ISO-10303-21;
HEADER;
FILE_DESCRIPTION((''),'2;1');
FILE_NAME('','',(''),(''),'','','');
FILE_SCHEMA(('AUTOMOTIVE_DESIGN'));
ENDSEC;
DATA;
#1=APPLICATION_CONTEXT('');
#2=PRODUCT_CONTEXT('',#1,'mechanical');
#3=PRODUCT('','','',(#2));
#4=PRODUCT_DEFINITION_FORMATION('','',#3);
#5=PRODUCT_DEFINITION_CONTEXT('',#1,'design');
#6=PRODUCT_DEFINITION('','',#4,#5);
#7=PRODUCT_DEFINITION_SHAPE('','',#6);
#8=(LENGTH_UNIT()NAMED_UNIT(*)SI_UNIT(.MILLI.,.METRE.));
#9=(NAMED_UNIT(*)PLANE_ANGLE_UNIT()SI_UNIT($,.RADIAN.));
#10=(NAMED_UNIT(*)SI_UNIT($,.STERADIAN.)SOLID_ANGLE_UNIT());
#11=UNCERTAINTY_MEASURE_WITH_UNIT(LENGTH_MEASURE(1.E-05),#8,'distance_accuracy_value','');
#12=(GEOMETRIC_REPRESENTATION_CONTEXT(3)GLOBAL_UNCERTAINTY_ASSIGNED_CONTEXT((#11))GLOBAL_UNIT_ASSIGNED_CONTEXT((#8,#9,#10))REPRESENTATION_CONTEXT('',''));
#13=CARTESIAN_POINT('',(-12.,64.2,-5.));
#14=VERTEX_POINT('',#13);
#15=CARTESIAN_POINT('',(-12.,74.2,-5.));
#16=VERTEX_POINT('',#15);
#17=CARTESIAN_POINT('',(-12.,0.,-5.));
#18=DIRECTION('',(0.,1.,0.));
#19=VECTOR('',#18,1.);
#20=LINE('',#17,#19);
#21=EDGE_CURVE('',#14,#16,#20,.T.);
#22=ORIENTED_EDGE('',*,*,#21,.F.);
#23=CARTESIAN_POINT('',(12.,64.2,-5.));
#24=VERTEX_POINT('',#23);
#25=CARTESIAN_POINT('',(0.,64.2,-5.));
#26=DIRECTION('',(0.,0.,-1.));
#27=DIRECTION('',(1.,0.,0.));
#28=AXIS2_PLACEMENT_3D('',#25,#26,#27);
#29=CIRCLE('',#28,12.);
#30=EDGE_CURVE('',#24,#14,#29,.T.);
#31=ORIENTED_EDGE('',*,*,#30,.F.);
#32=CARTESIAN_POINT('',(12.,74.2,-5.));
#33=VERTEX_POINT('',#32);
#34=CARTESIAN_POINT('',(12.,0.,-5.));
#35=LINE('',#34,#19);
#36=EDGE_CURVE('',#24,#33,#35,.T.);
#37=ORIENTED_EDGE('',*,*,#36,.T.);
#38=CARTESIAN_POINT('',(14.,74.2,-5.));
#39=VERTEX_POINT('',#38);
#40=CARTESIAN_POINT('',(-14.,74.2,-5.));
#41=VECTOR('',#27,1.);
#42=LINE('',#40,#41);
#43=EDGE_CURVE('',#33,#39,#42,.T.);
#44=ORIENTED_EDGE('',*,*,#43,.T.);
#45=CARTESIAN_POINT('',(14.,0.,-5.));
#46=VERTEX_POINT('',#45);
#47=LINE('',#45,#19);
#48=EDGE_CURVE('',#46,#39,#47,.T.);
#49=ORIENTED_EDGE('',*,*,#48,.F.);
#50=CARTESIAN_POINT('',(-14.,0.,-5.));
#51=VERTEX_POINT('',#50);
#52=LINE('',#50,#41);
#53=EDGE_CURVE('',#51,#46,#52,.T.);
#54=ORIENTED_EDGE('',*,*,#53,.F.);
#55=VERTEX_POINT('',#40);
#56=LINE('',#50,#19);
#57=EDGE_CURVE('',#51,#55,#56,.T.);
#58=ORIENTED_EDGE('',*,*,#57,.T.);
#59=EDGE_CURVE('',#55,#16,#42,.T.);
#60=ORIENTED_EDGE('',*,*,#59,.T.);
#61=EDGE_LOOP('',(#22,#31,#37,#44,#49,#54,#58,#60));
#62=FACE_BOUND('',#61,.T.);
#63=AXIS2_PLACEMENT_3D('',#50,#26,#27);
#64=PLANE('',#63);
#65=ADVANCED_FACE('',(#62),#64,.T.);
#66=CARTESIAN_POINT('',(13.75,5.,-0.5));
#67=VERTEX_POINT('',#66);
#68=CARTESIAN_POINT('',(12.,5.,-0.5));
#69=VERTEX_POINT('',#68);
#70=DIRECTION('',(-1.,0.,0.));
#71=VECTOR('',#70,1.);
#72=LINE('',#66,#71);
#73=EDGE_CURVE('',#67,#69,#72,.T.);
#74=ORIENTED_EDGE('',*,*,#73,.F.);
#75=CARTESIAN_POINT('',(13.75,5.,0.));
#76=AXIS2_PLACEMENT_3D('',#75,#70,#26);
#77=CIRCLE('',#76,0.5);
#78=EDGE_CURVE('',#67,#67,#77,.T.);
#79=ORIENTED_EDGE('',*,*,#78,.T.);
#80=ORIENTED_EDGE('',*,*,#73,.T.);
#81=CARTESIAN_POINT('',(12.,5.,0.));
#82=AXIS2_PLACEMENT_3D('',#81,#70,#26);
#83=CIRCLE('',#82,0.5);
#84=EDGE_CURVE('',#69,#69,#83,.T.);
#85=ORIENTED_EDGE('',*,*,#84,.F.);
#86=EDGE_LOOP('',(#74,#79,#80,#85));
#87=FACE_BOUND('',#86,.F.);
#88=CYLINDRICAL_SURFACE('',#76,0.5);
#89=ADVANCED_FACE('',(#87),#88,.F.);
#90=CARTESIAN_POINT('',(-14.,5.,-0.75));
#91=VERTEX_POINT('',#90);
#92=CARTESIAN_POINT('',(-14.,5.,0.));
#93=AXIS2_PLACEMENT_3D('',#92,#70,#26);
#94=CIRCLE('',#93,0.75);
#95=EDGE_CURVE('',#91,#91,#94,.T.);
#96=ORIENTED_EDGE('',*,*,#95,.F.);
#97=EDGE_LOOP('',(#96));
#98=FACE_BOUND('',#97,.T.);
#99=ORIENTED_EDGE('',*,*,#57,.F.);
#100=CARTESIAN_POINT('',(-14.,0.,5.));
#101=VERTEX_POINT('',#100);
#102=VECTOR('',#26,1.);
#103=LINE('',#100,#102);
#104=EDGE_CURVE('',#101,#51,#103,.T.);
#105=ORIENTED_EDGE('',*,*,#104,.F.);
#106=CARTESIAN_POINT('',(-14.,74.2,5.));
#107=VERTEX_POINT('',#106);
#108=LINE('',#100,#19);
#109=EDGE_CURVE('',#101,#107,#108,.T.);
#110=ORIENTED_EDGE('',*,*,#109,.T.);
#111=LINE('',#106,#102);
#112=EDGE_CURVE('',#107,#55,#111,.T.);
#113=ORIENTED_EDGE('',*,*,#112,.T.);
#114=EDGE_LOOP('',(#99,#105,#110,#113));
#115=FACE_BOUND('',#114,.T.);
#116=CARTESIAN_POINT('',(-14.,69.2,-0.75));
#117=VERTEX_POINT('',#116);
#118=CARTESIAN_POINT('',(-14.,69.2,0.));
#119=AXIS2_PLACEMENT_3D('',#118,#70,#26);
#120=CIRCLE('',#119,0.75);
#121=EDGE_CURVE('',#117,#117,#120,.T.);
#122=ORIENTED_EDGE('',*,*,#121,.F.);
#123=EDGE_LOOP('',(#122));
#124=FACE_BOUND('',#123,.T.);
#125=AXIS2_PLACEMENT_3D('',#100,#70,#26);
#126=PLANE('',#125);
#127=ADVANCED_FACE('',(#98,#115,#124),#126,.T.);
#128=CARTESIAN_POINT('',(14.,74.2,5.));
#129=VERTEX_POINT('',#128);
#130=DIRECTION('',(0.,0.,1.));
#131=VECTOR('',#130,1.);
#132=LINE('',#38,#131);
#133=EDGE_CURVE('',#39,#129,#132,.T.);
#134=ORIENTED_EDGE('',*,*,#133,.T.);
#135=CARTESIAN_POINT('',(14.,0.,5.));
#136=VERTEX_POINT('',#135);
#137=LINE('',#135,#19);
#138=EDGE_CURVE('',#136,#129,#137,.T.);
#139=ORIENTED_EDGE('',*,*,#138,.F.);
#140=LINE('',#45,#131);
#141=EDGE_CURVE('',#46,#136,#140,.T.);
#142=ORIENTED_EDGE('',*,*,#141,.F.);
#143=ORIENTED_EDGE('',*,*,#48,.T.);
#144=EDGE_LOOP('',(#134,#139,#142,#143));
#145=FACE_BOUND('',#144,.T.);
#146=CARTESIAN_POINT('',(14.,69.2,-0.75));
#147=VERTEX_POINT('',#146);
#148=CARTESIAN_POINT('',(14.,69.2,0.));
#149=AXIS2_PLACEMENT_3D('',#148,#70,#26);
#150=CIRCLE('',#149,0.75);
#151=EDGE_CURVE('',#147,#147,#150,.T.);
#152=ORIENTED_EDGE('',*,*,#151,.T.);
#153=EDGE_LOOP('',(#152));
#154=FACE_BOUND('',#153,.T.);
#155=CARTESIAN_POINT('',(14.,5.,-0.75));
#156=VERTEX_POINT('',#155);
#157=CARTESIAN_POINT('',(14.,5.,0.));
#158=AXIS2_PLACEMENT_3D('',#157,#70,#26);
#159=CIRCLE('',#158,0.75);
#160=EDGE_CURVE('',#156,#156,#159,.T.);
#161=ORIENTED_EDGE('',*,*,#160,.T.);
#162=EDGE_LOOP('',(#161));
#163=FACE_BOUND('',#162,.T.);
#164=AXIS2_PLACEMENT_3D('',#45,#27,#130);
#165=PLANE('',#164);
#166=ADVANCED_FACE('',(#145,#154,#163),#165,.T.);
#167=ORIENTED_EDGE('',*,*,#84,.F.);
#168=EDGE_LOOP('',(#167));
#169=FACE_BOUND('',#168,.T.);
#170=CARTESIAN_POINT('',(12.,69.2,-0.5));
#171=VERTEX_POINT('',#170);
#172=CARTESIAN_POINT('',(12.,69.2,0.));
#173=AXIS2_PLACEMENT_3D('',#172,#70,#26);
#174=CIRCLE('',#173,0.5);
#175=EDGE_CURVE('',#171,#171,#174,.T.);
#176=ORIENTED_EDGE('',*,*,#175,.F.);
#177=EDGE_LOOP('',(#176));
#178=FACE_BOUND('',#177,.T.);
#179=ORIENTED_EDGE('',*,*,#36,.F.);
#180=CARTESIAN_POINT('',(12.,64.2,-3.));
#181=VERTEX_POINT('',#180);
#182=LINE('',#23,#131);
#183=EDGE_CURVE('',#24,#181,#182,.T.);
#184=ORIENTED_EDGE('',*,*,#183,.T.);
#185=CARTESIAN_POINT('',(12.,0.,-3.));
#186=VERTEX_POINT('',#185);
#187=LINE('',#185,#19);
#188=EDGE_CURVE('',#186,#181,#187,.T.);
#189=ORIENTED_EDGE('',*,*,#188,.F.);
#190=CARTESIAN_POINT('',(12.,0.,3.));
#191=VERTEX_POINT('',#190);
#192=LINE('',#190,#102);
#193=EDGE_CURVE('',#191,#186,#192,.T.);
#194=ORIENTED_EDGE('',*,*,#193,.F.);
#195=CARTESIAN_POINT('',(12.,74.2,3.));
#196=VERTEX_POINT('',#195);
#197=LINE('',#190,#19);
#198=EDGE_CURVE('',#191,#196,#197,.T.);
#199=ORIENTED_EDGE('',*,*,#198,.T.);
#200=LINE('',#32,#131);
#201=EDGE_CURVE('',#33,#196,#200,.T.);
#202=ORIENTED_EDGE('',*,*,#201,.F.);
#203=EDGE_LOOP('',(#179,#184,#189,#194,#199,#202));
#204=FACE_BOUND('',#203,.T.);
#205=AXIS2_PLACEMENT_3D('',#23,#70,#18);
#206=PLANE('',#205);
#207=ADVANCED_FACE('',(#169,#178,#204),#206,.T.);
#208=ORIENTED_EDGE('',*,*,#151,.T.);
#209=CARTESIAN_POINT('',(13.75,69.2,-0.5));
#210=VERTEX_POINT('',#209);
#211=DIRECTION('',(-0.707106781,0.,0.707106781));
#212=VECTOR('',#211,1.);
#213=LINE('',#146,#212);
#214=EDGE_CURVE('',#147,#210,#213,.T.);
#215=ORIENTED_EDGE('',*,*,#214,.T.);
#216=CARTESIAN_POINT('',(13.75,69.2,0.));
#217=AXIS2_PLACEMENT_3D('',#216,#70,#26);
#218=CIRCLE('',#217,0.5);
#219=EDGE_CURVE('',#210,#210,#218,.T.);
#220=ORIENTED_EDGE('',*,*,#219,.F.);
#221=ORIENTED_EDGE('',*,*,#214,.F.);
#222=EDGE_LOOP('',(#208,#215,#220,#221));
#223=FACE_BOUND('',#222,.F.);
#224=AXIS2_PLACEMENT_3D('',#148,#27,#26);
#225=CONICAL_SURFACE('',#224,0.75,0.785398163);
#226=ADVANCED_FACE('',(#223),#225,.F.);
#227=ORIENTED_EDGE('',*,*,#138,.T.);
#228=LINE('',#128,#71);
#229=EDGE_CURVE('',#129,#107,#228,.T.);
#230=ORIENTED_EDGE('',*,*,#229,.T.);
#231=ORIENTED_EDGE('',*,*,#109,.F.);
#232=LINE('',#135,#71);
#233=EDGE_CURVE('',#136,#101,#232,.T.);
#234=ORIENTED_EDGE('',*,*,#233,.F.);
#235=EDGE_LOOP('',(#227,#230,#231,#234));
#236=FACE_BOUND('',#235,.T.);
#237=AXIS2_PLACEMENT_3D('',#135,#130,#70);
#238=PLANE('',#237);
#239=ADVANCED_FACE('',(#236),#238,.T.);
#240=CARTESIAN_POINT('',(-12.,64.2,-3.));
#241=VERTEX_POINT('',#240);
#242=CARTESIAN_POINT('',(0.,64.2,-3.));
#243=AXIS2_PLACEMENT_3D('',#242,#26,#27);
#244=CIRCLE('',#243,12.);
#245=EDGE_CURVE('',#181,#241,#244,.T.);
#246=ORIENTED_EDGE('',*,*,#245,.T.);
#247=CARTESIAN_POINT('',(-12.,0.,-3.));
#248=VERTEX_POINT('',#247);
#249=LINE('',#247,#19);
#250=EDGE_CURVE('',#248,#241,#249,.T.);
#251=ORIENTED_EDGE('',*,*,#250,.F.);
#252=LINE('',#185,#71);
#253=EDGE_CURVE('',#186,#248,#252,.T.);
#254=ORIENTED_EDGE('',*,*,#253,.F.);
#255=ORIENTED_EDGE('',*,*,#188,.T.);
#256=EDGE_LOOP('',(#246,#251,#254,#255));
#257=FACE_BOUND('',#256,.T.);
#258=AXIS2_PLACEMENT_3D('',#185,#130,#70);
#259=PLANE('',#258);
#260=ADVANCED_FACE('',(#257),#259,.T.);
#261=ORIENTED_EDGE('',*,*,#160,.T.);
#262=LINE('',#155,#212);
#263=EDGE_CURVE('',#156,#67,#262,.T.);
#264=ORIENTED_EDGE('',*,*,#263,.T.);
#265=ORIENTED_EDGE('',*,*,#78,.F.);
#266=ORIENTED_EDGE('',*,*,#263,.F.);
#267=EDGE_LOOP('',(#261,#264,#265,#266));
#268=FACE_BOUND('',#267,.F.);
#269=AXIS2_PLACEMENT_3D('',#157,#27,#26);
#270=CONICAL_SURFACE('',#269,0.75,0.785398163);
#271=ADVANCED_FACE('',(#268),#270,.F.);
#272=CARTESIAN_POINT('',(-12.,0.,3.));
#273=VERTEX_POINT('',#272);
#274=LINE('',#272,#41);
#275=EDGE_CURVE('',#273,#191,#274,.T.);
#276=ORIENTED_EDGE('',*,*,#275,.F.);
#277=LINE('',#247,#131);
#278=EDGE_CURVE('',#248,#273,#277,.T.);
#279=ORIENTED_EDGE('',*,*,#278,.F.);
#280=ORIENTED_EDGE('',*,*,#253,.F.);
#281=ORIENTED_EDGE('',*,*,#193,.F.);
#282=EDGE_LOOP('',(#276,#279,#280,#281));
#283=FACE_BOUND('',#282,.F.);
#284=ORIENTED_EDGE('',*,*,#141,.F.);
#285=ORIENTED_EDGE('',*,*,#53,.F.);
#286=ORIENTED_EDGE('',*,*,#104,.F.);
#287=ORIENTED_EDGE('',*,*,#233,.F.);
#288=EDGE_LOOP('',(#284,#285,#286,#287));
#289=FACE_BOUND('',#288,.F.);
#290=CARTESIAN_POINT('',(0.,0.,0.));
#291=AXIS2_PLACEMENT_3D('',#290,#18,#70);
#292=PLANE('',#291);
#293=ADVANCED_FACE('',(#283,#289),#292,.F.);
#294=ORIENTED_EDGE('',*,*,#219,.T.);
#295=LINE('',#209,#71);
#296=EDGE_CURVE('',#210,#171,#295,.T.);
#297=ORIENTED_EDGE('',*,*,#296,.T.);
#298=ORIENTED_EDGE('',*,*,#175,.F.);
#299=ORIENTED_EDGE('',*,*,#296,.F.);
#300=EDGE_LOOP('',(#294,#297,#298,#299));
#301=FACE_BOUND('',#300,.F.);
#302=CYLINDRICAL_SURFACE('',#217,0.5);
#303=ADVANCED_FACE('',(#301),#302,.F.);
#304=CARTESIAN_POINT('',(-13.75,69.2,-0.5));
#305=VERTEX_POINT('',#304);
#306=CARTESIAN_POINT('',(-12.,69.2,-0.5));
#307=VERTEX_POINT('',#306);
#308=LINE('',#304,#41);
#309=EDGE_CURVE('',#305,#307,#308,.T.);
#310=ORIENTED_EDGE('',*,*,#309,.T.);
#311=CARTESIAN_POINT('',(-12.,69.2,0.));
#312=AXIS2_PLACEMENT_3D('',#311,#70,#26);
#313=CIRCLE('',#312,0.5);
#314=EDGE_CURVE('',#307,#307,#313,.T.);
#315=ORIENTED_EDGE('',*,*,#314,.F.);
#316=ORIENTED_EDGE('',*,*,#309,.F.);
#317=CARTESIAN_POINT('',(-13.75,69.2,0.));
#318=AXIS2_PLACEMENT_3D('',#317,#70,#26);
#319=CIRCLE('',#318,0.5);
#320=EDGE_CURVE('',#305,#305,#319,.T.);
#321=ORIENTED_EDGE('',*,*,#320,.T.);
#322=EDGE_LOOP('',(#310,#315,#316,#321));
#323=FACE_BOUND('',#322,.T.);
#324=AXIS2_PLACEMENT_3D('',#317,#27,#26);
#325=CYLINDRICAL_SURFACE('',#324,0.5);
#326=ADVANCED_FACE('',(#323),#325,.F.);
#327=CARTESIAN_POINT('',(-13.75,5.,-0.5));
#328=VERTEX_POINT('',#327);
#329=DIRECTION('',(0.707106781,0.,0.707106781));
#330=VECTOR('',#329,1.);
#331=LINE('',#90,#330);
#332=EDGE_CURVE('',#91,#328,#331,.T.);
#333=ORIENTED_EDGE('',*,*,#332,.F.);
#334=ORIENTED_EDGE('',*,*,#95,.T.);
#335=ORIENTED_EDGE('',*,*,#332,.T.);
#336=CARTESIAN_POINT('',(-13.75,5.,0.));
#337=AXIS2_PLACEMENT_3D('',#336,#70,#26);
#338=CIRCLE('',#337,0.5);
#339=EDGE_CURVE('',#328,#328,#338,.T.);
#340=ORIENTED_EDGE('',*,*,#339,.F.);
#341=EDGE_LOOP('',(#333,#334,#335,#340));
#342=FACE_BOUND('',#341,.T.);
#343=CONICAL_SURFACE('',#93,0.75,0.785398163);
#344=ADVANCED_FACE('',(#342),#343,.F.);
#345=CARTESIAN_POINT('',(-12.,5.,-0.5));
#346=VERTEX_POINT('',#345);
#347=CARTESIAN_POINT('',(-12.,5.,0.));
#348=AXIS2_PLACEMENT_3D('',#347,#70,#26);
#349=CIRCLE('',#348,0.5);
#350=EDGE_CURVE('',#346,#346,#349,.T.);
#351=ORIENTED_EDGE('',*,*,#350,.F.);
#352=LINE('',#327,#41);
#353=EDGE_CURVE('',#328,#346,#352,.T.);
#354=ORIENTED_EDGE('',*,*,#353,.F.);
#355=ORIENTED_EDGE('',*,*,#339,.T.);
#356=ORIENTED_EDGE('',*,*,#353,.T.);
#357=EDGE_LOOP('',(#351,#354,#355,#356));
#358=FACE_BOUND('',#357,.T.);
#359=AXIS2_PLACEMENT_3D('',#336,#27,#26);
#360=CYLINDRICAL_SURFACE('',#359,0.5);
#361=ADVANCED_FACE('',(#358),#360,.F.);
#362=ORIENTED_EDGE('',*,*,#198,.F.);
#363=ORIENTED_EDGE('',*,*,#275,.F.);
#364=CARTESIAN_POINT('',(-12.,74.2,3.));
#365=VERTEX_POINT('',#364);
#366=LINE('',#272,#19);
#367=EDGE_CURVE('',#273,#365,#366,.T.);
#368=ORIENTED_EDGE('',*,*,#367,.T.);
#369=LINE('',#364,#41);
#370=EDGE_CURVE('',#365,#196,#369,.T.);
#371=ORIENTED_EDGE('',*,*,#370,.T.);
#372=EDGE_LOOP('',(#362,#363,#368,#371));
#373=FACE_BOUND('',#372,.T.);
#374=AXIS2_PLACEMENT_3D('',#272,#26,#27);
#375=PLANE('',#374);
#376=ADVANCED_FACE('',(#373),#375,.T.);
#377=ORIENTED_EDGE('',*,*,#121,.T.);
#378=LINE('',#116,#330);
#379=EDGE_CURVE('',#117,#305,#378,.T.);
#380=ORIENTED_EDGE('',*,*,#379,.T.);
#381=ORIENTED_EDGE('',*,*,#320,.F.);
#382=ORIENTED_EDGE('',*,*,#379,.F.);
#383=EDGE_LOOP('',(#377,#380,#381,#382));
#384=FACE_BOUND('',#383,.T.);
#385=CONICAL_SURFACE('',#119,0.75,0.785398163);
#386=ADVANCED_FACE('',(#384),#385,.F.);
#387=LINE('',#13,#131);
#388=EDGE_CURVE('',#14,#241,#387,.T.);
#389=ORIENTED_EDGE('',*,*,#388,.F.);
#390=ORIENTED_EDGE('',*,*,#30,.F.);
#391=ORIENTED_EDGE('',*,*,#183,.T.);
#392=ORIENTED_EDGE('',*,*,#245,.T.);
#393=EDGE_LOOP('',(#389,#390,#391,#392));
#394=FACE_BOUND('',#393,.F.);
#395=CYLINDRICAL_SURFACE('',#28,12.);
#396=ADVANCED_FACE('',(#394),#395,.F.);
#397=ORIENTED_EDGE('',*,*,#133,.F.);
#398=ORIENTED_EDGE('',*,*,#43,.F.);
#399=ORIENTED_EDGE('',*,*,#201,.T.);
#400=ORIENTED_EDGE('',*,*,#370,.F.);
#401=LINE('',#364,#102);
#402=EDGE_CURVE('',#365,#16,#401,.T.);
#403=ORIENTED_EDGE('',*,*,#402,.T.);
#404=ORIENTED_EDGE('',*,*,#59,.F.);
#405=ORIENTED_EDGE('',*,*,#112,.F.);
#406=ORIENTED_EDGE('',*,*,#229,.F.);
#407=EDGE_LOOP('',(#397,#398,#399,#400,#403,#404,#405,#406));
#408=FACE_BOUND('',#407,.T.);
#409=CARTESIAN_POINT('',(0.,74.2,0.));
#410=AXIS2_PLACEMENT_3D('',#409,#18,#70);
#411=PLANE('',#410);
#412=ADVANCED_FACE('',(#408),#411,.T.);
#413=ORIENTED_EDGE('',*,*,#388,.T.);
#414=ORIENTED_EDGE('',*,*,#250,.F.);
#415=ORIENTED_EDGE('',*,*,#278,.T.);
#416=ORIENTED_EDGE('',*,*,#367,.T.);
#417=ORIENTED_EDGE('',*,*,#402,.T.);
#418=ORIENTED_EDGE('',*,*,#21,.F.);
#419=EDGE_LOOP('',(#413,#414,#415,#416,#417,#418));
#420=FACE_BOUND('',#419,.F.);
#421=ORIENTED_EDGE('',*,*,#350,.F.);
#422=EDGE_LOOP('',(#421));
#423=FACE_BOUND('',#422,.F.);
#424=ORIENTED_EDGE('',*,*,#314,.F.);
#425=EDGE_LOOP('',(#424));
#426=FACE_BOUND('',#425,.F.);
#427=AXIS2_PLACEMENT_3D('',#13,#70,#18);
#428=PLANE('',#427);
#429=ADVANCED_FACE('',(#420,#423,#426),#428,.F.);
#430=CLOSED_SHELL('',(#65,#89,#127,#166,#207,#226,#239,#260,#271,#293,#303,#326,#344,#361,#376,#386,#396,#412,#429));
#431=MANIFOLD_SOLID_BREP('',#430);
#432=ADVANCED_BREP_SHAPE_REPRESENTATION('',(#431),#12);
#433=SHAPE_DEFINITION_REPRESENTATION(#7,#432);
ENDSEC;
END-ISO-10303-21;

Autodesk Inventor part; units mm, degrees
ref_plane "YZ Plane" through (0, 0, 0) normal (1, 0, 0) x (0, 1, 0)
ref_plane "XZ Plane" through (0, 0, 0) normal (0, 1, 0) x (-1, 0, 0)
ref_plane "XY Plane" through (0, 0, 0) normal (0, 0, 1) x (1, 0, 0)
sketch "Эскиз1" plane through (0, 0, 0) normal (0, 1, 0) x (-1, 0, 0)
  line L0 (14, -5) -> (-14, -5)
  line L1 (-14, -5) -> (-14, 5)
  line L2 (-14, 5) -> (14, 5)
  line L3 (14, 5) -> (14, -5)
  line L4 (-14, -5) -> (14, 5) construction
  line L5 (14, -5) -> (-14, 5) construction
  line L6 (-12, -3) -> (12, -3)
  line L7 (12, -3) -> (12, 3)
  line L8 (12, 3) -> (-12, 3)
  line L9 (-12, 3) -> (-12, -3)
  point P0 (0, 0)
  point P1 (0, 0)
  dimension "d0" = 28
  dimension "d1" = 10
  dimension "d2" = 2
extrude "Выдавливание1" add sketch "Эскиз1" along normal blind 74.2
sketch "Эскиз3" plane through (14, 0, -5) normal (0, 0, -1) x (-1, 0, 0)
  line L0 (0, 0) -> (0, 74.2) projected
  line L1 (28, 0) -> (28, 74.2) projected
  line L2 (28, 0) -> (28, 74.2) projected
  line L3 (0, 0) -> (0, 74.2) projected
  line L4 (0, 74.2) -> (28, 74.2) projected
  arc A0 (2, 64.2) -> (26, 64.2) centre (14, 64.2) ccw
  line L5 (26, 0) -> (26, 74.2) projected
  line L6 (2, 0) -> (2, 74.2) projected
  line L7 (26, 0) -> (26, 74.2) projected
  line L8 (26, 64.2) -> (26, 74.2)
  line L9 (26, 74.2) -> (2, 74.2)
  line L10 (2, 64.2) -> (2, 74.2)
  point P0 (14, 0)
  dimension "d10" = 10
extrude "Выдавливание3" cut sketch "Эскиз3" against normal up to surface (2 mm away)
sketch "Эскиз2" plane through (14, 0, 5) normal (1, 0, 0) x (0, 0, -1)
  line L0 (0, 74.2) -> (10, 74.2) construction
  line L1 (10, 74.2) -> (0, 64.2) construction
  line L2 (0, 0) -> (0, 74.2) construction
  line L3 (0, 74.2) -> (10, 64.2) construction
  line L4 (10, 0) -> (10, 74.2) construction
  line L5 (10, 0) -> (0, 10) construction
  line L6 (0, 0) -> (10, 10) construction
  circle A0 centre (5, 69.2) radius 0.5
  circle A1 centre (5, 5) radius 0.5
  point P0 (5, 0)
  dimension "d5" = 1
  dimension "d6" = 1
hole "Отверстие1" at (14, 69.2, 0) at (14, 5, 0) direction (-1, 0, 0) diameter 1 depth 2 countersink diameter 1.5 countersink angle 90
mirror "Зеркальное отражение1" about plane through (0, 0, 0) normal (1, 0, 0) of "Отверстие1"
properties part number "board-1-new"
